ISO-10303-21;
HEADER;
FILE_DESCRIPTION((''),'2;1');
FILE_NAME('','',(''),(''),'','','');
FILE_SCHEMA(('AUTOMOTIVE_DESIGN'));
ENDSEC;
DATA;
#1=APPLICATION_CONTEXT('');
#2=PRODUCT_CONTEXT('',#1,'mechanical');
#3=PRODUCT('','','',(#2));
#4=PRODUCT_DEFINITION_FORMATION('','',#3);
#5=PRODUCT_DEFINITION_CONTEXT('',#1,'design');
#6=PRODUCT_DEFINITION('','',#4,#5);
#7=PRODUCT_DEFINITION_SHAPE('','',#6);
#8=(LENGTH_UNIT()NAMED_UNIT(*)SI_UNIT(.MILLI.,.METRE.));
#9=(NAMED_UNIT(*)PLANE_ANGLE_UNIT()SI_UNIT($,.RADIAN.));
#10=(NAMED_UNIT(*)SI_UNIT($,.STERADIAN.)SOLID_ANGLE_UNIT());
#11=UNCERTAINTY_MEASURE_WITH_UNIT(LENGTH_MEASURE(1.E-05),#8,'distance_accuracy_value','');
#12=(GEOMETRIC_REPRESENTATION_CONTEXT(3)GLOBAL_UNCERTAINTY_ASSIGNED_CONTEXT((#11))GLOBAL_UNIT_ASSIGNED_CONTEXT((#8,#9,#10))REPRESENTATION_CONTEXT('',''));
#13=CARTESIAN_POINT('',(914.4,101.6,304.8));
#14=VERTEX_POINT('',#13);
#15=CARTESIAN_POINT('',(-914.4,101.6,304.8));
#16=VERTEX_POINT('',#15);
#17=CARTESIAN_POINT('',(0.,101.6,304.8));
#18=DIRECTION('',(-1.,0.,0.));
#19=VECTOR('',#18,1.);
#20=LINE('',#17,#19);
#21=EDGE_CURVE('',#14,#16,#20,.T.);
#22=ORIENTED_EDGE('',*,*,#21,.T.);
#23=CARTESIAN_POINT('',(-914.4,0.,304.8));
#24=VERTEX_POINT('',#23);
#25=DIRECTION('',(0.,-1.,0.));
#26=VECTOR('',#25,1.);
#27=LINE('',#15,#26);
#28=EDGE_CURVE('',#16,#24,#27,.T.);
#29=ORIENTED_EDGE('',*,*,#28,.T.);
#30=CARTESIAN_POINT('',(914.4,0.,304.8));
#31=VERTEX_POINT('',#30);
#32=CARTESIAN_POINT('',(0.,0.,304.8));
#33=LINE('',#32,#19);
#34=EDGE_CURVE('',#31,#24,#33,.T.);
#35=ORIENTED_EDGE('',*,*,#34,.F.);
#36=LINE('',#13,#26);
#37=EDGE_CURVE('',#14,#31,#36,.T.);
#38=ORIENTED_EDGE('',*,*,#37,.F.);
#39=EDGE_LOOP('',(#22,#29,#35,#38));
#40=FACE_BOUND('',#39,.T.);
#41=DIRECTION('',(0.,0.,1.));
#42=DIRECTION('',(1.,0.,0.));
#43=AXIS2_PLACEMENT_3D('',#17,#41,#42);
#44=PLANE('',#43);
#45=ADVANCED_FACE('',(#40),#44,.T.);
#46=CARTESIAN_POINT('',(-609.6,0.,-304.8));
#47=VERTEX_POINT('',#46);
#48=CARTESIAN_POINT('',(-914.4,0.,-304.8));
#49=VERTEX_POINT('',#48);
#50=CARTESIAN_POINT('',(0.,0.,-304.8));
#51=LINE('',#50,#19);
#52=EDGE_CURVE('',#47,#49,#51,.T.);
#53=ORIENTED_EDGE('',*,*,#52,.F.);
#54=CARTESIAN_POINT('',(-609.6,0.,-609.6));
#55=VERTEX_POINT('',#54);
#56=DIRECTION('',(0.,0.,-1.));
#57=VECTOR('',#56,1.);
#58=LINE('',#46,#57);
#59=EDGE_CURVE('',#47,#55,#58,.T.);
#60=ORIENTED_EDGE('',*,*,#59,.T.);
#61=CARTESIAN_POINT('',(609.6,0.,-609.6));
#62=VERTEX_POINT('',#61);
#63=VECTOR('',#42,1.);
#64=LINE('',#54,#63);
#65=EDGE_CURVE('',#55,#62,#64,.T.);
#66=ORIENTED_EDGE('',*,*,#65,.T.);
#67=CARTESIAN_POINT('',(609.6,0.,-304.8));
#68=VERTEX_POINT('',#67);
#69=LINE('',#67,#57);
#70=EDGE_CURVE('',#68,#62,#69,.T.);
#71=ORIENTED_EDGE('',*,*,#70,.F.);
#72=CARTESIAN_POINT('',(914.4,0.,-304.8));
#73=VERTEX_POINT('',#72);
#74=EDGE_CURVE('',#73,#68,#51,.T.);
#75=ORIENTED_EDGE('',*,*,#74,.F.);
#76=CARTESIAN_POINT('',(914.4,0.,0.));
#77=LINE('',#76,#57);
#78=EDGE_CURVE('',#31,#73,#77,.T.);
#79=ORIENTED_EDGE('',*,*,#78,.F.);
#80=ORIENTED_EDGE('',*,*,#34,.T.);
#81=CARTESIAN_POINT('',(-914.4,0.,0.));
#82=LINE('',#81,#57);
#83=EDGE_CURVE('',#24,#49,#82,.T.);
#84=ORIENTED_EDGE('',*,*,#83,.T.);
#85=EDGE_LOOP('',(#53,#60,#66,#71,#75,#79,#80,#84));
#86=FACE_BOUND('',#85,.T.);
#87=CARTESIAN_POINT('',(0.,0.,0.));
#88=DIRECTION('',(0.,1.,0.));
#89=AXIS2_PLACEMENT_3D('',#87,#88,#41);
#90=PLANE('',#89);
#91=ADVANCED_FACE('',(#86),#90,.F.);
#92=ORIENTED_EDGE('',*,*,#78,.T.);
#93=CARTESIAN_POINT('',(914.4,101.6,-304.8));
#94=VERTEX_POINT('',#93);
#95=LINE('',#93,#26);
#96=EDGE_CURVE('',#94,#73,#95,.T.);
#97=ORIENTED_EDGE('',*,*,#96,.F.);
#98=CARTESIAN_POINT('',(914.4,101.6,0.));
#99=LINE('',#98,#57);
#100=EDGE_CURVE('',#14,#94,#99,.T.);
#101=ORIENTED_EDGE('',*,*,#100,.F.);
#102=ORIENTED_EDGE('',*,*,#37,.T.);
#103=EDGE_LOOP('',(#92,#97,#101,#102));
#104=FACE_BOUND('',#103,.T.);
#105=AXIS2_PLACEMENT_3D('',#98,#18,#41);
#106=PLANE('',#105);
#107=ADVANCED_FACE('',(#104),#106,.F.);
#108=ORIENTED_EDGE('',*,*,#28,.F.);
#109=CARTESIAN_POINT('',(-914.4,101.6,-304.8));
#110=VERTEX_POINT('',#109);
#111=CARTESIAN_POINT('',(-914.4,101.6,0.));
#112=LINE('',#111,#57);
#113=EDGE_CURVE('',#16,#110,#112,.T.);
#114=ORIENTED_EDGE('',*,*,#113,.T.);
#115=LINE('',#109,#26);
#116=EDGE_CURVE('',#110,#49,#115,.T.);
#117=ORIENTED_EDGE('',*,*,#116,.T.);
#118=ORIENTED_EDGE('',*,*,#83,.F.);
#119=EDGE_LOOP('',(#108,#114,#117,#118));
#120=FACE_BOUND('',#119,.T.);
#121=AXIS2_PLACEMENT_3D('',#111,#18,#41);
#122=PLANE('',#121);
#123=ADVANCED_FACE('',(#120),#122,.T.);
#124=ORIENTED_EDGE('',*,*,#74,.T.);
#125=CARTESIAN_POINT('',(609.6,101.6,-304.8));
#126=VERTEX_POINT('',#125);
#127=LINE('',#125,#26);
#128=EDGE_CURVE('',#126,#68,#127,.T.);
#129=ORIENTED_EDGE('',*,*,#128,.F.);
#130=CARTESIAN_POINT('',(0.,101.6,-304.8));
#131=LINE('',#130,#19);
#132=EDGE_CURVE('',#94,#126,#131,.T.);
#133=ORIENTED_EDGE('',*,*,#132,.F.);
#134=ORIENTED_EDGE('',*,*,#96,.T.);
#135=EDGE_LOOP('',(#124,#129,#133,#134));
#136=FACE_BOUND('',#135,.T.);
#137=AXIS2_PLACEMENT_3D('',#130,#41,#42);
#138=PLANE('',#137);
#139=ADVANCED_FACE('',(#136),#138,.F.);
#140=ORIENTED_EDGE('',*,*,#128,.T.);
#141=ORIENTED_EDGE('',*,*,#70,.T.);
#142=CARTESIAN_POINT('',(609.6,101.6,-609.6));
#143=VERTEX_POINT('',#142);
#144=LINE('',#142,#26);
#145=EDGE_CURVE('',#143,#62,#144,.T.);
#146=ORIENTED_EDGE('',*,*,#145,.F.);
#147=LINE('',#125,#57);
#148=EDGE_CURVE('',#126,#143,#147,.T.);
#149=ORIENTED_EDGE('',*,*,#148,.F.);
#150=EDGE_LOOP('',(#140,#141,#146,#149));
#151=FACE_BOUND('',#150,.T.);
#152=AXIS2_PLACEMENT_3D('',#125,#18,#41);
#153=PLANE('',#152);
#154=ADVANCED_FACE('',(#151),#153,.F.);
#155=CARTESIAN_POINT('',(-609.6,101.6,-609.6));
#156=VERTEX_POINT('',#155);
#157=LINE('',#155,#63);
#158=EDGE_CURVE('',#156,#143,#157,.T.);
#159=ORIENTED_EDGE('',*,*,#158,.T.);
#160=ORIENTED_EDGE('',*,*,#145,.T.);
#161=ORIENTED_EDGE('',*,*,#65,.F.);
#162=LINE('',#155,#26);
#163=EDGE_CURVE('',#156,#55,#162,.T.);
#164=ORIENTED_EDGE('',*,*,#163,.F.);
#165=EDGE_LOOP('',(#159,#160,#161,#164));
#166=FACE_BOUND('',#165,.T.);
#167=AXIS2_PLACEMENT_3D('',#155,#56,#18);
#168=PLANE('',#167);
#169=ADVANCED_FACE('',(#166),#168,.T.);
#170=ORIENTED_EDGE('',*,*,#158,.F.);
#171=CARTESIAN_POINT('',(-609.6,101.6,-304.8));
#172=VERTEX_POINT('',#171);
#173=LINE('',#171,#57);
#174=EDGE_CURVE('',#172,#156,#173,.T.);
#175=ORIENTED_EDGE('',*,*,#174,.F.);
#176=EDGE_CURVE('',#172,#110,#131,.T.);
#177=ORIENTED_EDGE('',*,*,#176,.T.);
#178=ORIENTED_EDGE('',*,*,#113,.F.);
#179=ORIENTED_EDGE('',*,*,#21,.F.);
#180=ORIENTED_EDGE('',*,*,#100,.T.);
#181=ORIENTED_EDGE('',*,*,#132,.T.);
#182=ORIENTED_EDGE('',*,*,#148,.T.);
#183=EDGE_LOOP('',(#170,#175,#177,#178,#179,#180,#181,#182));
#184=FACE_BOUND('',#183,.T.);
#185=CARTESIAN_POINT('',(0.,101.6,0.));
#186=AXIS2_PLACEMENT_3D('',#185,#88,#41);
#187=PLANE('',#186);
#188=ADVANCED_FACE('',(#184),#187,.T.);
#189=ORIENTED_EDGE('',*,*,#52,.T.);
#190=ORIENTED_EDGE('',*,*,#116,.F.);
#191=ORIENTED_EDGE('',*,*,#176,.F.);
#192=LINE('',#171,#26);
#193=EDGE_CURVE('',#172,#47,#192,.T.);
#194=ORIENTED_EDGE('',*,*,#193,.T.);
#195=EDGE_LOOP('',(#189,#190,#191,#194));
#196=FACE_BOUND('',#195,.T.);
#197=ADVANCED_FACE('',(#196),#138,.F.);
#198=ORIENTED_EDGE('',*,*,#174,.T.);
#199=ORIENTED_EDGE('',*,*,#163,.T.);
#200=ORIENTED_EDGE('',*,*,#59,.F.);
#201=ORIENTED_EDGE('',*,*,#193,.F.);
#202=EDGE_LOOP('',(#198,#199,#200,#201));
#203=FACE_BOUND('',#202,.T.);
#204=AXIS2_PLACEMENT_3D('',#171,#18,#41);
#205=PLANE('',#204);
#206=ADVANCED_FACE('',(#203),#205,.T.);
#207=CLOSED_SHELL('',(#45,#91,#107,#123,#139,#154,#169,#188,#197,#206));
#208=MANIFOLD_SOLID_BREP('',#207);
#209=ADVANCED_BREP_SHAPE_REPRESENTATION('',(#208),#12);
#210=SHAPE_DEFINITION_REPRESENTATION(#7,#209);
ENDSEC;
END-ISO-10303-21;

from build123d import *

# Parameters (mm, degrees)
SKETCH1_W           = 1828.8
SKETCH1_H           = 609.6
SKETCH1_W_2         = 1219.2
SKETCH1_H_2         = 304.8
BOSS_EXTRUDE1_DEPTH = 101.6


with BuildPart() as part:
    # Sketch1 → Boss-Extrude1 (new body)
    with BuildSketch(Plane(origin=(0, 0, 0), x_dir=(1, 0, 0), z_dir=(0, 1, 0))):
        Rectangle(SKETCH1_W, SKETCH1_H)
        with Locations((0, 457.2)):
            Rectangle(SKETCH1_W_2, SKETCH1_H_2)
    extrude(amount=BOSS_EXTRUDE1_DEPTH)


solid = part.part
